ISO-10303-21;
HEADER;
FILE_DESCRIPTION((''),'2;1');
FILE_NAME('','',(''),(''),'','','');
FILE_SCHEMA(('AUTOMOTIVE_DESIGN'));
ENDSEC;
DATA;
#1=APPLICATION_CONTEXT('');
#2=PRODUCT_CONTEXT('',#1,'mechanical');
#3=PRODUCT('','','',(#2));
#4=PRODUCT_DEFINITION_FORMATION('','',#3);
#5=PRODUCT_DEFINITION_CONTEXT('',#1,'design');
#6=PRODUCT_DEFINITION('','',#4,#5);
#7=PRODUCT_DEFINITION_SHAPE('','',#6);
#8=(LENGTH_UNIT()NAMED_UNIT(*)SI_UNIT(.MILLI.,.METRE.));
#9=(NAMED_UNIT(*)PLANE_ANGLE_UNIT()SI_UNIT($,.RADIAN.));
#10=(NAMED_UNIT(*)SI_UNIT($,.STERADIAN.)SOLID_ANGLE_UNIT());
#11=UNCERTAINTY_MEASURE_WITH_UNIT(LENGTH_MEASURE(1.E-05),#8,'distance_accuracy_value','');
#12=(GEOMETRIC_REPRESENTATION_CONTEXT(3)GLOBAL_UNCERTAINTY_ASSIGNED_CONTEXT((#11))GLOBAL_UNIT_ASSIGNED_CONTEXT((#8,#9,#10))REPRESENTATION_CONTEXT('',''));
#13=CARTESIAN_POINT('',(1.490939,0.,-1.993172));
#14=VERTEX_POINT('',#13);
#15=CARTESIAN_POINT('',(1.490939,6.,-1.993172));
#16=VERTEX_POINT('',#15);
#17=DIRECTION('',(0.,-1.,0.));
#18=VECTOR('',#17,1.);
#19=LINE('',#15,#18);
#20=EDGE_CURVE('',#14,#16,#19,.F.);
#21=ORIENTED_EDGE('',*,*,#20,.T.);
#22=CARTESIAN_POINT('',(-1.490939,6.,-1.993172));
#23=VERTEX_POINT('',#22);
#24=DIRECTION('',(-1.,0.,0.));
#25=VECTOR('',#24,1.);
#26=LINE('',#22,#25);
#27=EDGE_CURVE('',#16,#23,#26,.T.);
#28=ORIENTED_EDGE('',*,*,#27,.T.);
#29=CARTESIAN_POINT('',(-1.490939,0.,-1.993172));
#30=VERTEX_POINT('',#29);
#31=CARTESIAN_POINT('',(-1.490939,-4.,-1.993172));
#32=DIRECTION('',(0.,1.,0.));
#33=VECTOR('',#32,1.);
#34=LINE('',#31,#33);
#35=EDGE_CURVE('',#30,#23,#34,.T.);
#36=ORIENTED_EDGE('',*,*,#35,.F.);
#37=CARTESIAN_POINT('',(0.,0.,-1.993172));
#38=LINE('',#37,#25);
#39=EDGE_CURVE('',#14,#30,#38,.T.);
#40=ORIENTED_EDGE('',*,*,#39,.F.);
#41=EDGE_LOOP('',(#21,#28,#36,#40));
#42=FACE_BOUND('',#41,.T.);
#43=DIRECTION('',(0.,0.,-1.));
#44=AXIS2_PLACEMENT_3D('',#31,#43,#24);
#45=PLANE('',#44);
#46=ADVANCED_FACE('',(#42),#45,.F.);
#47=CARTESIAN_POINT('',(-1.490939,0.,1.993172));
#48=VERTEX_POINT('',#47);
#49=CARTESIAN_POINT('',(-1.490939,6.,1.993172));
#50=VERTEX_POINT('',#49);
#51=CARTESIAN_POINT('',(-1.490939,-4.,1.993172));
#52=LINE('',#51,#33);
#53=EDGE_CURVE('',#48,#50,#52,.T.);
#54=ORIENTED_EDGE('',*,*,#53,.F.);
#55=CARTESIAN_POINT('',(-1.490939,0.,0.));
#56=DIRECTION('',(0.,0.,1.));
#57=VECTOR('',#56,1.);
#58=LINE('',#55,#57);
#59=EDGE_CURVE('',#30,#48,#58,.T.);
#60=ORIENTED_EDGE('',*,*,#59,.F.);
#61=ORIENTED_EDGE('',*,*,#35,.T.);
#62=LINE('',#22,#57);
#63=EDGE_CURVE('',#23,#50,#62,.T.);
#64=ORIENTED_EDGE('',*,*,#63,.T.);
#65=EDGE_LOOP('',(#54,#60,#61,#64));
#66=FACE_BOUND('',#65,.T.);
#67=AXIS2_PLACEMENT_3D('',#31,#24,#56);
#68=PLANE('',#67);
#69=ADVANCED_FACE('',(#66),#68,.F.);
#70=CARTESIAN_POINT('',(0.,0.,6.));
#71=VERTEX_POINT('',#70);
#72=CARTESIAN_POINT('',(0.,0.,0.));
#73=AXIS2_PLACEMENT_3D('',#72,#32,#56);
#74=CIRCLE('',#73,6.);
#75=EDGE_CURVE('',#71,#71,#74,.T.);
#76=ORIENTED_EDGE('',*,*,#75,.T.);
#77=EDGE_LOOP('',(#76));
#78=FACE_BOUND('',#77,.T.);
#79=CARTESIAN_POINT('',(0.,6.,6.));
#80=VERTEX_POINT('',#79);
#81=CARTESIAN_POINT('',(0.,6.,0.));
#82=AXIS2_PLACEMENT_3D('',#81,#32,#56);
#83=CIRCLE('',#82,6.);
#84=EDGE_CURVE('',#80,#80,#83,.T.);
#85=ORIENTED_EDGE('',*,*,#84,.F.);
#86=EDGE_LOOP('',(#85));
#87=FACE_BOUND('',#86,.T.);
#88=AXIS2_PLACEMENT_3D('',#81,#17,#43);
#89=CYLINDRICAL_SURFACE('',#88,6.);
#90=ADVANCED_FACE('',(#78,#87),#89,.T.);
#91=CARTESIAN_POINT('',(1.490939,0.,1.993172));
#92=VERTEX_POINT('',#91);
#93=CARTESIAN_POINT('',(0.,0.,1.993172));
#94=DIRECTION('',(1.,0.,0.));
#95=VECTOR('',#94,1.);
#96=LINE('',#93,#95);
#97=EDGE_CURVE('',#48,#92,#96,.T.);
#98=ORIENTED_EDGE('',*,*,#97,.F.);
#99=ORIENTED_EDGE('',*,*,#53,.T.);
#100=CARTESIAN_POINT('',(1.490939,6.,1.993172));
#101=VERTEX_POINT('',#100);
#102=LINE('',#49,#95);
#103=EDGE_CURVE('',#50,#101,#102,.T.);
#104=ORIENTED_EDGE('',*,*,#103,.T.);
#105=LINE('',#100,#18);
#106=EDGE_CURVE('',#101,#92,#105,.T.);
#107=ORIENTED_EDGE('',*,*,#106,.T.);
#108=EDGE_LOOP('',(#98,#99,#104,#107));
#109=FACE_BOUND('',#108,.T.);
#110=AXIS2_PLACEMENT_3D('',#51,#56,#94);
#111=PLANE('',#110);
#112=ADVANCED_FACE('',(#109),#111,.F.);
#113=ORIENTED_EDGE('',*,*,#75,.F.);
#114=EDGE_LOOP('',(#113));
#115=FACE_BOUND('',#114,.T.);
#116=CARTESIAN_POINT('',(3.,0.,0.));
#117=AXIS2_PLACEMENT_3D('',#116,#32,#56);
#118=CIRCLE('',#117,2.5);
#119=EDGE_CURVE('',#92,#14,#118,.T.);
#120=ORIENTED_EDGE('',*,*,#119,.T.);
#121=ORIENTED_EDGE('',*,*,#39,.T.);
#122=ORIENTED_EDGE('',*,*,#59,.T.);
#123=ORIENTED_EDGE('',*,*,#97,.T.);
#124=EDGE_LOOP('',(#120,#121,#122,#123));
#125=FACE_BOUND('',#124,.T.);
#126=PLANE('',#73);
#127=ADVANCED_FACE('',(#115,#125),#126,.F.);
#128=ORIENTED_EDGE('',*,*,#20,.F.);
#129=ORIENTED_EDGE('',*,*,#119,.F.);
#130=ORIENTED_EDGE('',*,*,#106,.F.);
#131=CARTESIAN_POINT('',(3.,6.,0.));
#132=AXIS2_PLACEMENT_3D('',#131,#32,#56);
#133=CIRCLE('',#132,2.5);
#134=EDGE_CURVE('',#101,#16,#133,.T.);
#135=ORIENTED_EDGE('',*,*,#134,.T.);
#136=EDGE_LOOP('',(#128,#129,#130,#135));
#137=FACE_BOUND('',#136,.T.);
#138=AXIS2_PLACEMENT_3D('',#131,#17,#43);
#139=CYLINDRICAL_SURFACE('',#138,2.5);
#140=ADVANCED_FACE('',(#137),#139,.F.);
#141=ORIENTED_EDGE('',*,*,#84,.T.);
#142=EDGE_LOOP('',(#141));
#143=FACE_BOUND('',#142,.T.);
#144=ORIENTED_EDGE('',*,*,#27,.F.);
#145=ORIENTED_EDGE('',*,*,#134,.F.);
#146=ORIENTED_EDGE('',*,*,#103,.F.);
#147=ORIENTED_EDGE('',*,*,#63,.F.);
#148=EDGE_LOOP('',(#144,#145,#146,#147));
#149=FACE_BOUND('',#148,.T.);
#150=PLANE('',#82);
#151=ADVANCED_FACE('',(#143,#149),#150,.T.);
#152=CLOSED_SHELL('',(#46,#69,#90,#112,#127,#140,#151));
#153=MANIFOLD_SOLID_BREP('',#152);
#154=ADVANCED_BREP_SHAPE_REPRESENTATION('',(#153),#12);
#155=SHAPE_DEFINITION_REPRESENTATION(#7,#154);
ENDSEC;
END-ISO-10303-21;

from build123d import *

# Parameters (mm, degrees)
SKETCH_1_R          = 6
SKETCH_1_R_2        = 2.5
EXTRUDE_4_DEPTH     = 6
SKETCH_2_W          = 2.981877758
SKETCH_2_H          = 3.986343956
CUT_EXTRUDE_1_DEPTH = 10


with BuildPart() as part:
    # 草图1 → 凸台-拉伸4 (new body)
    with BuildSketch(Plane(origin=(0, 0, 0), x_dir=(1, 0, 0), z_dir=(0, 1, 0))):
        with Locations(Location((0, 0, 0), (0, 0, 270))):
            Circle(SKETCH_1_R)
        with Locations(Location((3, 0, 0), (0, 0, 270))):
            Circle(SKETCH_1_R_2, mode=Mode.SUBTRACT)
    extrude(amount=EXTRUDE_4_DEPTH)

    # 草图2 → 切除-拉伸1 (cut)
    with BuildSketch(Plane(origin=(0, 6, 0), x_dir=(1, 0, 0), z_dir=(0, 1, 0))):
        Rectangle(SKETCH_2_W, SKETCH_2_H)
    extrude(amount=-CUT_EXTRUDE_1_DEPTH, mode=Mode.SUBTRACT)


solid = part.part
